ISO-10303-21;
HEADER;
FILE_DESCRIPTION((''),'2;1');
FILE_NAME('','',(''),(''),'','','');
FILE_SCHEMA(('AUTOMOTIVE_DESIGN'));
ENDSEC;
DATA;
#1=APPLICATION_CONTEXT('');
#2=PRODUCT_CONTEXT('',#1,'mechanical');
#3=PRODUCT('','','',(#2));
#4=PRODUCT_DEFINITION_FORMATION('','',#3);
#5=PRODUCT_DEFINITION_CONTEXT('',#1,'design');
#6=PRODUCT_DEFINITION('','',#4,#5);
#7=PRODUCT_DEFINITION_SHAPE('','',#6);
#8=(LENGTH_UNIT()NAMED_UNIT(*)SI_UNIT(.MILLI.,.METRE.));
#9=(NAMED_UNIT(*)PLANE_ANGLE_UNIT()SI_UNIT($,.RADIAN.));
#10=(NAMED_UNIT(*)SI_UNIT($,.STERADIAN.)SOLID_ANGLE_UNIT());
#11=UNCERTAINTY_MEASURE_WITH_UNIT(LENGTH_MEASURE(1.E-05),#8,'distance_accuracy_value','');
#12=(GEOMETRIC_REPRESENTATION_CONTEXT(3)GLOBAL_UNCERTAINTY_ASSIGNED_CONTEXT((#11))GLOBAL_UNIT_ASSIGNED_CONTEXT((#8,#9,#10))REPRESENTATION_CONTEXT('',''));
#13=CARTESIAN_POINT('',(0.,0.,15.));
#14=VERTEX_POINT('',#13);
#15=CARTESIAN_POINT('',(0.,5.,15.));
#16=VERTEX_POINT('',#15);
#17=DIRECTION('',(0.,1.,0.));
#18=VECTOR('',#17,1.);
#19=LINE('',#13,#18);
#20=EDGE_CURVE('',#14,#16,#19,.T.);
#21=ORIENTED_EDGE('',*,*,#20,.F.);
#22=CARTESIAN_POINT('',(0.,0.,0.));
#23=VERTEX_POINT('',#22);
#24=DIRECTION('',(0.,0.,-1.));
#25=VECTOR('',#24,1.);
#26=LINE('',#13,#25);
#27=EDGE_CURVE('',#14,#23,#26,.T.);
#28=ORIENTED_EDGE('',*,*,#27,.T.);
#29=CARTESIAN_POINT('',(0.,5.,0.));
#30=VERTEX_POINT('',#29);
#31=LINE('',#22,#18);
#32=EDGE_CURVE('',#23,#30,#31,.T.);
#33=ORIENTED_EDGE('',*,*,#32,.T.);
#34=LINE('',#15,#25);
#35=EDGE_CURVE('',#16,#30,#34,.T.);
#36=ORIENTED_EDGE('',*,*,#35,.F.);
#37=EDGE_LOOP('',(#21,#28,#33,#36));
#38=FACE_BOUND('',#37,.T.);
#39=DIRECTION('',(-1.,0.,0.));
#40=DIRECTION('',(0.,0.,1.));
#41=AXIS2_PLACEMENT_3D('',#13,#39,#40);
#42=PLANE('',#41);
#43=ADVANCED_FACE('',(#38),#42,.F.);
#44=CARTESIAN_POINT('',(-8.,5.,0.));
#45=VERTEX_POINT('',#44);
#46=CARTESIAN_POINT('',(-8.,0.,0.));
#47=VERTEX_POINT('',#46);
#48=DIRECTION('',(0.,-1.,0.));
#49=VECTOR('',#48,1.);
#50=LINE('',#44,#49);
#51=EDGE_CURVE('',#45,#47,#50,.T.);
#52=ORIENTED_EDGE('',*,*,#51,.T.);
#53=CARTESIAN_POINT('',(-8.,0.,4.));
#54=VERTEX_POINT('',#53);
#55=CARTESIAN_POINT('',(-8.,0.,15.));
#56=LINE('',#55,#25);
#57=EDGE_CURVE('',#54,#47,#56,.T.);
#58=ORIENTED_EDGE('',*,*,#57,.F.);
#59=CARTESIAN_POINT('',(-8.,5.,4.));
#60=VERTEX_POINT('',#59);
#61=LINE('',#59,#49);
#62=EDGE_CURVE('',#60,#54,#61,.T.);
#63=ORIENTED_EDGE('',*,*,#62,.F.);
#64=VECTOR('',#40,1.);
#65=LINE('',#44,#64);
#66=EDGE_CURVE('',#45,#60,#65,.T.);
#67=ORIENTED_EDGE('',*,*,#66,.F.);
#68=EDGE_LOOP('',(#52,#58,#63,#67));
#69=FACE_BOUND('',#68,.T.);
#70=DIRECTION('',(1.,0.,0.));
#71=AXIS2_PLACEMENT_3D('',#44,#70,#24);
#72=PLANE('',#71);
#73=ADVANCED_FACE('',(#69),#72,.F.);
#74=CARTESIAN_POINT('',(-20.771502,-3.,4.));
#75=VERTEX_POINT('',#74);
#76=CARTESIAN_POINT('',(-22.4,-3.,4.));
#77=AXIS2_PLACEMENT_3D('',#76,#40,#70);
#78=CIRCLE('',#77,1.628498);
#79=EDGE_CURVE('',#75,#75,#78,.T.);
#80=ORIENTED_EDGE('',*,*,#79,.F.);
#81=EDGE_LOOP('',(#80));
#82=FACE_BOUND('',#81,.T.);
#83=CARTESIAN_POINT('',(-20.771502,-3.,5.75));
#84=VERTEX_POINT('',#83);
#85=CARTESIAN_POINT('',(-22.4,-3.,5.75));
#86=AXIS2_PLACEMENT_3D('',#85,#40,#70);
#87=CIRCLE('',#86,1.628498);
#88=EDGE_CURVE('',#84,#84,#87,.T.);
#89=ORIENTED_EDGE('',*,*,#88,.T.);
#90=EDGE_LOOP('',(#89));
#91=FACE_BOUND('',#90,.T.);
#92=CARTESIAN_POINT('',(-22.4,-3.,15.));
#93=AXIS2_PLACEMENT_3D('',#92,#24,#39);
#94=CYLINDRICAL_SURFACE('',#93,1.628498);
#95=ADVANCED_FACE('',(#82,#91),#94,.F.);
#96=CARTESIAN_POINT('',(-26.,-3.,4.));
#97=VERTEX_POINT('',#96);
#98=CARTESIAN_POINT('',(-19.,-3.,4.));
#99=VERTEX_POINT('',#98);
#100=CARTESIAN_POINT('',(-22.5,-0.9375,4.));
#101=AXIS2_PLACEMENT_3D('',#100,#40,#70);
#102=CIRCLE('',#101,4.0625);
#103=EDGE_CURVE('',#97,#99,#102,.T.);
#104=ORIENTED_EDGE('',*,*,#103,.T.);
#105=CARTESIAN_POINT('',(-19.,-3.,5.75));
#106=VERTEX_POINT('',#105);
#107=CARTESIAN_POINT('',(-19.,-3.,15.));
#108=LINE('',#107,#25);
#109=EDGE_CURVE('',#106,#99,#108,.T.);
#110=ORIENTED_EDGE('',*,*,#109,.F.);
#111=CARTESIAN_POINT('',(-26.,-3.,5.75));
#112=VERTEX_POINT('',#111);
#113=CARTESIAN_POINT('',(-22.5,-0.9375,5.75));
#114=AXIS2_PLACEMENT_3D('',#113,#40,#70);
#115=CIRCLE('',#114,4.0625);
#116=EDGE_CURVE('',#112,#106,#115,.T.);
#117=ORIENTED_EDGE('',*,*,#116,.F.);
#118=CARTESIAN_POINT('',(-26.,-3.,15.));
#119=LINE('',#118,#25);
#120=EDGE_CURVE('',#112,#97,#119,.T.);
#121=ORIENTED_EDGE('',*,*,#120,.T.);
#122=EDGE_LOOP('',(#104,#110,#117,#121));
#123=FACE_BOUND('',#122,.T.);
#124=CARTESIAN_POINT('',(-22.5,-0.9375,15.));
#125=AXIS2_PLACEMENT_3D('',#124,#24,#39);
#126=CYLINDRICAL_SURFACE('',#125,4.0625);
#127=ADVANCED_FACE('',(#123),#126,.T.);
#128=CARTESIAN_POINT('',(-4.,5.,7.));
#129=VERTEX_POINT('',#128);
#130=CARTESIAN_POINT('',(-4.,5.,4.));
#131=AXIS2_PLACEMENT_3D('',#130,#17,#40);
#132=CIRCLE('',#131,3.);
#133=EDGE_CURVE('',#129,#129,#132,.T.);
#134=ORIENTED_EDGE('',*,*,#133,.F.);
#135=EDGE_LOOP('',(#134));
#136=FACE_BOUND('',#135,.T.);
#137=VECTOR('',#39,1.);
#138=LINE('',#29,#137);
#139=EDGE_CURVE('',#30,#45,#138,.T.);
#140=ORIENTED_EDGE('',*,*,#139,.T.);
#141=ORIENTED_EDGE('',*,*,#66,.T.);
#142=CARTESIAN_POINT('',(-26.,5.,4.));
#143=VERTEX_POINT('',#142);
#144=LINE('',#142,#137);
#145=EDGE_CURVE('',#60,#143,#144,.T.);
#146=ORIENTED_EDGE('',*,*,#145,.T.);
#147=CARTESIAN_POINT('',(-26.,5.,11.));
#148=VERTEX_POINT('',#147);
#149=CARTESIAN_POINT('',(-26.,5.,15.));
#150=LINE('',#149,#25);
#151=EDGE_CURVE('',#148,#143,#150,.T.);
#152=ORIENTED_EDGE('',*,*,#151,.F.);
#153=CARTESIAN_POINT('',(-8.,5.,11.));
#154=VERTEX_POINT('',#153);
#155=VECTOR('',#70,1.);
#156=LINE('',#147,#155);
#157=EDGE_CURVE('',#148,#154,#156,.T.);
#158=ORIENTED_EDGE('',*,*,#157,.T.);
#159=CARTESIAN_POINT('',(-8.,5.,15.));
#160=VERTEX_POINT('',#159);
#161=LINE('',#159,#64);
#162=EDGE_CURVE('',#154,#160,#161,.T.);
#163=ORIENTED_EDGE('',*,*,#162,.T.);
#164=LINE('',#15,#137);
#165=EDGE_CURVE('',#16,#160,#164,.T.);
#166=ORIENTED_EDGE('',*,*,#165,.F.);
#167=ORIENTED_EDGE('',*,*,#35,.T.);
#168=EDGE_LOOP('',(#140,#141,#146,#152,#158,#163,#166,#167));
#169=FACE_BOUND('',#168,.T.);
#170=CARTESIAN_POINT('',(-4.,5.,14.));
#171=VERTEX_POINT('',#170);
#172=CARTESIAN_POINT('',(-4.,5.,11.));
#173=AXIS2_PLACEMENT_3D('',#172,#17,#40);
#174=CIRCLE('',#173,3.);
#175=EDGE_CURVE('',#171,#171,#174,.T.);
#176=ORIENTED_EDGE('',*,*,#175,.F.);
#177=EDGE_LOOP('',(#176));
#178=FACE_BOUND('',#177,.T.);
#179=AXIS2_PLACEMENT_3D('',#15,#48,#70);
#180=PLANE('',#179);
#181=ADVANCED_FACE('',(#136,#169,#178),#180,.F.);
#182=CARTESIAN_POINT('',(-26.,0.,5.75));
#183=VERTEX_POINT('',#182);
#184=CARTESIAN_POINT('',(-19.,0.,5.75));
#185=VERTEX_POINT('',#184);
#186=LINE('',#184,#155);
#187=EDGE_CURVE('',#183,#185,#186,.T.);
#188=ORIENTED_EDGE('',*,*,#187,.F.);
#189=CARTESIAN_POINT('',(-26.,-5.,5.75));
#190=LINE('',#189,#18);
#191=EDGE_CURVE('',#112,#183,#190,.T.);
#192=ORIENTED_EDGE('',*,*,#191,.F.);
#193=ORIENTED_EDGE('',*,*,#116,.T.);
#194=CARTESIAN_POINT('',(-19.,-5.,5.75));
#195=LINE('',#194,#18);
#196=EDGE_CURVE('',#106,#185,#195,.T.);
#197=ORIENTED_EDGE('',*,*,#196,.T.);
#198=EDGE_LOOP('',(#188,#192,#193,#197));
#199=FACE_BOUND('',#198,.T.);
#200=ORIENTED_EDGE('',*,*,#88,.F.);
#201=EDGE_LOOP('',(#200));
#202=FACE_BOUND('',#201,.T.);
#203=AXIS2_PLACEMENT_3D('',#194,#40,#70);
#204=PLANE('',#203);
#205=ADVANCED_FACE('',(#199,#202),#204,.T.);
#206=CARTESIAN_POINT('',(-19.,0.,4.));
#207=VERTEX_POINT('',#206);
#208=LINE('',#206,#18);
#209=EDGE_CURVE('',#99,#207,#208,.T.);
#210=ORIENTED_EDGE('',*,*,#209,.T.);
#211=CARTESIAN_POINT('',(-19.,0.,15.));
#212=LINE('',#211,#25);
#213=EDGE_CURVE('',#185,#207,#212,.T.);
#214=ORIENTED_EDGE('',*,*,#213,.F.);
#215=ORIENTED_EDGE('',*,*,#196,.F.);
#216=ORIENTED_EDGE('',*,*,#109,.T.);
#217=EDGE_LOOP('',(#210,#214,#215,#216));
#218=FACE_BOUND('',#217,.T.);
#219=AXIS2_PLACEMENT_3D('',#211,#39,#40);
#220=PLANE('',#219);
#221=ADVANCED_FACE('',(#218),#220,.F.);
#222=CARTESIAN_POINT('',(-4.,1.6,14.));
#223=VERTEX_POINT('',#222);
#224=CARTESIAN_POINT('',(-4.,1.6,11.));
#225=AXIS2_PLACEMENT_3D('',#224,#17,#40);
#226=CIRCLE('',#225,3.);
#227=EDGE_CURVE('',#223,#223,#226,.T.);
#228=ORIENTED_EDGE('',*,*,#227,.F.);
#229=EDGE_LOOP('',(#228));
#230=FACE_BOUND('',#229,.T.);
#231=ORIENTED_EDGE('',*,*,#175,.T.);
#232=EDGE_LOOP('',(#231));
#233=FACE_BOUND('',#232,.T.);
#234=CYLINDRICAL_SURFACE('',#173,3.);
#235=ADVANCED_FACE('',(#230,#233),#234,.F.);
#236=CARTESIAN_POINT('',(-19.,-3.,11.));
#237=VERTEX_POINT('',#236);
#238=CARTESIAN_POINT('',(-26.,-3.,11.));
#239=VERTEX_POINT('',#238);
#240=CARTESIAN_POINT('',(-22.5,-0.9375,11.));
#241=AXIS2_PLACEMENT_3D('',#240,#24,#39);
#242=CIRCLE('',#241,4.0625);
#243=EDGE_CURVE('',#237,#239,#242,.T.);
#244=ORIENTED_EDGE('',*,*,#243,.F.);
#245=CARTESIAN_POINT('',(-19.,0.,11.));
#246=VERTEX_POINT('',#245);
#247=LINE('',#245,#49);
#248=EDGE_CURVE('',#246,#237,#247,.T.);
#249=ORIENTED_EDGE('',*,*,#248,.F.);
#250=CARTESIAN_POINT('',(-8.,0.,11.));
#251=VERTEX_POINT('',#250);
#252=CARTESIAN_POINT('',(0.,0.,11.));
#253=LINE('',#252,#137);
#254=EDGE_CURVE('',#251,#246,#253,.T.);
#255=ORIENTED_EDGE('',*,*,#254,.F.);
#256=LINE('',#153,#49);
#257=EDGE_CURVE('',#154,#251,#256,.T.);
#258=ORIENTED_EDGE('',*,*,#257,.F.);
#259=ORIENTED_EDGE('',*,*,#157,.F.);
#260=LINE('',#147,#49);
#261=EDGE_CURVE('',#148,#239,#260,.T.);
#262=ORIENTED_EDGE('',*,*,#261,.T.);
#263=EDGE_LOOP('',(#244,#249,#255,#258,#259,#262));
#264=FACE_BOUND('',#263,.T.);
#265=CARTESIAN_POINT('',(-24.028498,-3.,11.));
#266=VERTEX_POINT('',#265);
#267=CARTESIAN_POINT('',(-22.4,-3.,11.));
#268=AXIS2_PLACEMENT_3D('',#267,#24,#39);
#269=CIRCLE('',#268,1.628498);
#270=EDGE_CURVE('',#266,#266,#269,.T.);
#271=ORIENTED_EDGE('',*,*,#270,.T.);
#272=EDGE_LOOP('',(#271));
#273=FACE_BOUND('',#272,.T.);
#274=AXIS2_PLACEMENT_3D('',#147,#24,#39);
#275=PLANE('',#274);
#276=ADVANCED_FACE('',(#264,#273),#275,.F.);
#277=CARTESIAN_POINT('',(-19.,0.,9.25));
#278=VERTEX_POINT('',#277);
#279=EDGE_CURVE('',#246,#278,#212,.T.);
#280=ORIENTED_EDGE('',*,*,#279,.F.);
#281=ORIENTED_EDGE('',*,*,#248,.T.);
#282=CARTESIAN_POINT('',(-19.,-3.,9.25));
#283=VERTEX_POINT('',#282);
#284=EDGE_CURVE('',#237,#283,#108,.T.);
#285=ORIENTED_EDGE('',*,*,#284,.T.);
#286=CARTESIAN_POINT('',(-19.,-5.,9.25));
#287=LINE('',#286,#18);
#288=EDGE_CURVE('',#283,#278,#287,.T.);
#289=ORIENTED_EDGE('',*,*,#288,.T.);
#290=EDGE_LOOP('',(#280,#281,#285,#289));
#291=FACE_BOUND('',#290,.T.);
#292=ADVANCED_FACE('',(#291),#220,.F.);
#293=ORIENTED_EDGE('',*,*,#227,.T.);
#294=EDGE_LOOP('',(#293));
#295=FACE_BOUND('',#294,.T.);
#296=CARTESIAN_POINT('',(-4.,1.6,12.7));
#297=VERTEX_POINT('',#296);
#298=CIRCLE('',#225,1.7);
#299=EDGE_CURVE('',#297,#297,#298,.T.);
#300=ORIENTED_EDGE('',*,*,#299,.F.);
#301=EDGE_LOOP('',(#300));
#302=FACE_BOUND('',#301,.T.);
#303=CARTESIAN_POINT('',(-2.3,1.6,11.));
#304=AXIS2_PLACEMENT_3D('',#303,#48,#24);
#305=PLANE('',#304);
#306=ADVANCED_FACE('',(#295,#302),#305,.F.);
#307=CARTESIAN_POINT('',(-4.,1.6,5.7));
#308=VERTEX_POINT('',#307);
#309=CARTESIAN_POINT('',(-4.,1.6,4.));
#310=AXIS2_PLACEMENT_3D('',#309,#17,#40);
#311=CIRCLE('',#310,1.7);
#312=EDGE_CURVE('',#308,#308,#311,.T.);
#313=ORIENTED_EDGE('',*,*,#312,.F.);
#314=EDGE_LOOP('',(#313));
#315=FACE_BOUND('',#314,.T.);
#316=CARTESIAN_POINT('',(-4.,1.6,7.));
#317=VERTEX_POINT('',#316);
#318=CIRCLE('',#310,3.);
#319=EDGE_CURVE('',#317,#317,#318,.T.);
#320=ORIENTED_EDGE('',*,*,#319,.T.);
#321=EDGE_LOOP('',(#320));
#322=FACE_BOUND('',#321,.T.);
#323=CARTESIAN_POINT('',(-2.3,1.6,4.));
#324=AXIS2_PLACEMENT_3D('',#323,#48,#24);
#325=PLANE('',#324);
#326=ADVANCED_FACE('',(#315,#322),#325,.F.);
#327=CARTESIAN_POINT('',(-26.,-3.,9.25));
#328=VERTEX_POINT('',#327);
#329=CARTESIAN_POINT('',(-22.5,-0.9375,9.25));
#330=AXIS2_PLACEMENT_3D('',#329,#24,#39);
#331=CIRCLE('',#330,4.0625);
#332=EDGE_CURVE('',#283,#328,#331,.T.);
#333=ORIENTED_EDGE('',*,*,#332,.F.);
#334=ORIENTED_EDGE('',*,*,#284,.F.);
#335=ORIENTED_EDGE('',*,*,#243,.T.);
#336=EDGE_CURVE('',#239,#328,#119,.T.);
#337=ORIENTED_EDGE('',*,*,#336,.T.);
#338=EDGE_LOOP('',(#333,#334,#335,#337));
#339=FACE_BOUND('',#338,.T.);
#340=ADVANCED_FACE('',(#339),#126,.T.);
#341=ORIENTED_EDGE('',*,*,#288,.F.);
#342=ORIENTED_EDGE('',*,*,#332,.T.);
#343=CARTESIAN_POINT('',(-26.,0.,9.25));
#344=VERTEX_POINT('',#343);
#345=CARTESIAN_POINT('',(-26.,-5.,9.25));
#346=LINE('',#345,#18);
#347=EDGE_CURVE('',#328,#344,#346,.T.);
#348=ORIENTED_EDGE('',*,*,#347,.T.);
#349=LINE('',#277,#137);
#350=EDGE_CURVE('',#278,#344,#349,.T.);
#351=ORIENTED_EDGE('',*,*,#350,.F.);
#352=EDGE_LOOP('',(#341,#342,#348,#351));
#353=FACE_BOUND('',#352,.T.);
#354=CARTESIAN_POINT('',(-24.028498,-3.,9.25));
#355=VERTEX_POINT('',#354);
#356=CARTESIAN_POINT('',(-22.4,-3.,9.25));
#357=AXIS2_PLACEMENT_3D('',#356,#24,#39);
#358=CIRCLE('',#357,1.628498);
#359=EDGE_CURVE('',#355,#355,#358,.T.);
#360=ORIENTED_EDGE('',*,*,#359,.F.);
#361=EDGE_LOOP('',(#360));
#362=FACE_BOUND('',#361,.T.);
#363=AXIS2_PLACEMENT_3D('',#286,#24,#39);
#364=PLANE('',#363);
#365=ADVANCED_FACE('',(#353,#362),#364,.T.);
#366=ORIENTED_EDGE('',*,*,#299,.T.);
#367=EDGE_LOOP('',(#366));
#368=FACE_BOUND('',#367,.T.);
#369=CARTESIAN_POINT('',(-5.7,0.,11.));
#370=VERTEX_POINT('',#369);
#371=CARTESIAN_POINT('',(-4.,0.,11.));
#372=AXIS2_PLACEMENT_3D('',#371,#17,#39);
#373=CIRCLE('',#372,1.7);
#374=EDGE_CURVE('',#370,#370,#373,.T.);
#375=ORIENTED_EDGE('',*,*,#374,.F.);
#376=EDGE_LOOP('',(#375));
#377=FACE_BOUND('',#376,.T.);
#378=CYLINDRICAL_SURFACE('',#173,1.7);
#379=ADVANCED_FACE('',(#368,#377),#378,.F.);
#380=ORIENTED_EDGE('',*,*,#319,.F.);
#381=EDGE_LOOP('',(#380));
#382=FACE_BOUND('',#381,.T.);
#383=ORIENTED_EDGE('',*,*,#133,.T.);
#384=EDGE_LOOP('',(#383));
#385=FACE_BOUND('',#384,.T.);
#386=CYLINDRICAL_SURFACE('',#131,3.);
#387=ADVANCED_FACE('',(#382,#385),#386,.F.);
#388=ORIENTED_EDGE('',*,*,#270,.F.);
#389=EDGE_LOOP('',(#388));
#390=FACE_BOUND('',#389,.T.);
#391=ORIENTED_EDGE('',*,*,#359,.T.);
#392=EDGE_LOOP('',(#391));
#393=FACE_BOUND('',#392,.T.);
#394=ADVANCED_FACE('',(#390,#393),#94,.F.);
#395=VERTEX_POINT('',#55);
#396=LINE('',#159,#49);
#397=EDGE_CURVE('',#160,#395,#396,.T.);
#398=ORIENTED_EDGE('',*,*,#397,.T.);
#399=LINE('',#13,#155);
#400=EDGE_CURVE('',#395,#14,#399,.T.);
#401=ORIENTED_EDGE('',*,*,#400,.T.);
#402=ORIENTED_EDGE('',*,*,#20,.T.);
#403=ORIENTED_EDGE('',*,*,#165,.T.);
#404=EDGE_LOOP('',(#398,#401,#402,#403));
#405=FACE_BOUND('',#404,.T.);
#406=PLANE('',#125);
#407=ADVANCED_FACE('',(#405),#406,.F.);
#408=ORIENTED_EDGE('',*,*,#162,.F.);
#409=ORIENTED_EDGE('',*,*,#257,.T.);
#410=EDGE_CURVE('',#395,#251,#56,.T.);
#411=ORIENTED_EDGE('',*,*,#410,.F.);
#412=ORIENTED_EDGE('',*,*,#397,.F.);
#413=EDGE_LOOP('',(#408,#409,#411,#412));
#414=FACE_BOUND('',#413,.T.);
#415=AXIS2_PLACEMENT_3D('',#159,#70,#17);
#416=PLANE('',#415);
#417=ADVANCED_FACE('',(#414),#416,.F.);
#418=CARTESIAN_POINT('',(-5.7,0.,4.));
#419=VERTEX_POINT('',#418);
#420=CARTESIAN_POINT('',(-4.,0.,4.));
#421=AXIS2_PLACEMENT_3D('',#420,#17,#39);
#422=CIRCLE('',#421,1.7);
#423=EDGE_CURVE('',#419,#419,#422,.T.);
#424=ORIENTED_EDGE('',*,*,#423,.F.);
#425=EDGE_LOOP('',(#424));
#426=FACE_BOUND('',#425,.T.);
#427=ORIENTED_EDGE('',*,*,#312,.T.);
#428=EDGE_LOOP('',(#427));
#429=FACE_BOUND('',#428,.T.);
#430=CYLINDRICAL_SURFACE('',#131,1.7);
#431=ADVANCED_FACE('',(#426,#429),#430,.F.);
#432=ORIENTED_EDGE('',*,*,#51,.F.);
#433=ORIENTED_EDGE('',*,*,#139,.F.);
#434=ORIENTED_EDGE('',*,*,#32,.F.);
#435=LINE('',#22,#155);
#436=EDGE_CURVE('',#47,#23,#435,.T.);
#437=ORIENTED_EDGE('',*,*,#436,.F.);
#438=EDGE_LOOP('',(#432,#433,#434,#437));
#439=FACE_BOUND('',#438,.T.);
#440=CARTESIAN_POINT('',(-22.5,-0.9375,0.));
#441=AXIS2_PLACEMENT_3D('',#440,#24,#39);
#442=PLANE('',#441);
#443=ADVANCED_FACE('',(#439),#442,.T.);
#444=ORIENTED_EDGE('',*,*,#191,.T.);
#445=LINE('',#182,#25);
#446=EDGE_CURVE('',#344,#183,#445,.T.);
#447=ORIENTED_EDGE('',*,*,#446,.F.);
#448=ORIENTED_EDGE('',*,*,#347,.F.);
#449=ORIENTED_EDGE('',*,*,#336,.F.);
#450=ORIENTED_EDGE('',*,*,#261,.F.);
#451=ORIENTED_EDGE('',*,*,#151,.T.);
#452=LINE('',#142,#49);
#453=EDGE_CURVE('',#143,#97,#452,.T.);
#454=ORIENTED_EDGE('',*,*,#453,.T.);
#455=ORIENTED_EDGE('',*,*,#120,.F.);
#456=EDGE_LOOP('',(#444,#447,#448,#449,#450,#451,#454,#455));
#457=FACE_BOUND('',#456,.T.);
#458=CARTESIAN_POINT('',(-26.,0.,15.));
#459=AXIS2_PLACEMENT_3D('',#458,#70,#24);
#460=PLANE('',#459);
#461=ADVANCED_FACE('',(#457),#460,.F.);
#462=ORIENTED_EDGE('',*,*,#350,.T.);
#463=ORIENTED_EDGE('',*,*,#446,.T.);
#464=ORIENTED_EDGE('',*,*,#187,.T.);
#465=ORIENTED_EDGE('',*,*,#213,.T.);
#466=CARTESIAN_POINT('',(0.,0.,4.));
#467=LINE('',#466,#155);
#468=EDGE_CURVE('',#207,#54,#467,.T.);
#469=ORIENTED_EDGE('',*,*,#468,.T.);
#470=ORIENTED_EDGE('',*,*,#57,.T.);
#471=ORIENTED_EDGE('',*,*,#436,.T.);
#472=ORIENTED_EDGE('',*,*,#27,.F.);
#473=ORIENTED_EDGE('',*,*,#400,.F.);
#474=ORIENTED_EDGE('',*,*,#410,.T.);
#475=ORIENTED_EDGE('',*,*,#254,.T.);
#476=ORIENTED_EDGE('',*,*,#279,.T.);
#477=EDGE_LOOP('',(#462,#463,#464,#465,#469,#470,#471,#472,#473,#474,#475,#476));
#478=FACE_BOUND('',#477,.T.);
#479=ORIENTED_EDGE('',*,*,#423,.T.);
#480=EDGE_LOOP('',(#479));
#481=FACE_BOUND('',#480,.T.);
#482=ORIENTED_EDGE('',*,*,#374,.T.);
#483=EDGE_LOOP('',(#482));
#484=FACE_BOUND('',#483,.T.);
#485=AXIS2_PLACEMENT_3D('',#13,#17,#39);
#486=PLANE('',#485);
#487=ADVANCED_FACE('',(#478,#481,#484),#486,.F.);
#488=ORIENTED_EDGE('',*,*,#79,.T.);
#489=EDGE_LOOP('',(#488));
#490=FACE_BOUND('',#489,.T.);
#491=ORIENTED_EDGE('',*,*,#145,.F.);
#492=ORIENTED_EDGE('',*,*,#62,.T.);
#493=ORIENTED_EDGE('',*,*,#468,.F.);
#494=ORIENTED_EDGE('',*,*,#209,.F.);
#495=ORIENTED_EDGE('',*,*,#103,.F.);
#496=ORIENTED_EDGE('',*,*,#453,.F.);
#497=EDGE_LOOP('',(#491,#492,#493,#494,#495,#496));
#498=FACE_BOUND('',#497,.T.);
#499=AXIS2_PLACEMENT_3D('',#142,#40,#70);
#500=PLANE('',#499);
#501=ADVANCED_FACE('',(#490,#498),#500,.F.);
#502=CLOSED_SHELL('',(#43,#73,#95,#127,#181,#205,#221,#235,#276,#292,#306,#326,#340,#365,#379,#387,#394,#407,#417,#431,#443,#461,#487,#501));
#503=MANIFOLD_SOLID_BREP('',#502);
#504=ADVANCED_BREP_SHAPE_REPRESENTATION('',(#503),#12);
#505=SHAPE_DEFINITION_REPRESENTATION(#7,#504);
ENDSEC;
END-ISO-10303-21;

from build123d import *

# Parameters (mm, degrees)
SKETCH_1_R                = 1.628497573
EXTRUDE_1_DEPTH           = 15
SKETCH_2_W                = 7
SKETCH_2_H                = 3.5
CUT_EXTRUDE_1_DEPTH       = 5
CUT_EXTRUDE_4_DEPTH       = 31.430248109
CUT_EXTRUDE_4_DEPTH_BACK  = 31.430248109
SKETCH_5_W                = 18
SKETCH_5_H                = 4
HOLE_WIZARD_1_D           = 3.4
HOLE_WIZARD_1_DEPTH       = 18.5
HOLE_WIZARD_1_CBORE_D     = 6
HOLE_WIZARD_1_CBORE_DEPTH = 3.4
HOLE_WIZARD_1_TIP         = 1.021463052


with BuildPart() as part:
    # 草图1 → 凸台-拉伸1 (new body)
    with BuildSketch(Plane.XY):
        with BuildLine():
            Line((0, 0), (-19, 0))
            Line((-19, 0), (-19, -3))
            ThreePointArc((-19, -3), (-22.5, -5), (-26, -3))
            Line((-26, -3), (-26, 0))
            Line((-26, 0), (-26, 5))
            Line((-26, 5), (0, 5))
            Line((0, 5), (0, 0))
        make_face()
        with Locations((-22.4, -3)):
            Circle(SKETCH_1_R, mode=Mode.SUBTRACT)
    extrude(amount=EXTRUDE_1_DEPTH)

    # 草图2 → 切除-拉伸1 (cut)
    with BuildSketch(Plane.XZ):
        with Locations((-22.5, 7.5)):
            Rectangle(SKETCH_2_W, SKETCH_2_H)
    extrude(amount=CUT_EXTRUDE_1_DEPTH, mode=Mode.SUBTRACT)

    # 草图5 → 切除-拉伸4 (cut, two sides: drawn at the far end of the back side and taken through both)
    with BuildSketch(Plane.XZ.offset(-CUT_EXTRUDE_4_DEPTH_BACK)):
        with Locations((-17, 13)):
            Rectangle(SKETCH_5_W, SKETCH_5_H)
        with Locations((-17, 2)):
            Rectangle(SKETCH_5_W, SKETCH_5_H)
    extrude(amount=CUT_EXTRUDE_4_DEPTH + CUT_EXTRUDE_4_DEPTH_BACK, mode=Mode.SUBTRACT)

    # 打孔尺寸(%根据)内六角圆柱头螺钉的类型1
    with Locations(Plane(origin=(-4, 5, 4), x_dir=(1, 0, 0), z_dir=(0, 1, 0))):
        with Locations((0, 0), (0, -7)):
            CounterBoreHole(HOLE_WIZARD_1_D / 2, HOLE_WIZARD_1_CBORE_D / 2, HOLE_WIZARD_1_CBORE_DEPTH, depth=HOLE_WIZARD_1_DEPTH)
            with Locations((0, 0, -(HOLE_WIZARD_1_DEPTH + HOLE_WIZARD_1_TIP / 2))):  # 118° drill point
                Cone(0, HOLE_WIZARD_1_D / 2, HOLE_WIZARD_1_TIP, mode=Mode.SUBTRACT)


solid = part.part
